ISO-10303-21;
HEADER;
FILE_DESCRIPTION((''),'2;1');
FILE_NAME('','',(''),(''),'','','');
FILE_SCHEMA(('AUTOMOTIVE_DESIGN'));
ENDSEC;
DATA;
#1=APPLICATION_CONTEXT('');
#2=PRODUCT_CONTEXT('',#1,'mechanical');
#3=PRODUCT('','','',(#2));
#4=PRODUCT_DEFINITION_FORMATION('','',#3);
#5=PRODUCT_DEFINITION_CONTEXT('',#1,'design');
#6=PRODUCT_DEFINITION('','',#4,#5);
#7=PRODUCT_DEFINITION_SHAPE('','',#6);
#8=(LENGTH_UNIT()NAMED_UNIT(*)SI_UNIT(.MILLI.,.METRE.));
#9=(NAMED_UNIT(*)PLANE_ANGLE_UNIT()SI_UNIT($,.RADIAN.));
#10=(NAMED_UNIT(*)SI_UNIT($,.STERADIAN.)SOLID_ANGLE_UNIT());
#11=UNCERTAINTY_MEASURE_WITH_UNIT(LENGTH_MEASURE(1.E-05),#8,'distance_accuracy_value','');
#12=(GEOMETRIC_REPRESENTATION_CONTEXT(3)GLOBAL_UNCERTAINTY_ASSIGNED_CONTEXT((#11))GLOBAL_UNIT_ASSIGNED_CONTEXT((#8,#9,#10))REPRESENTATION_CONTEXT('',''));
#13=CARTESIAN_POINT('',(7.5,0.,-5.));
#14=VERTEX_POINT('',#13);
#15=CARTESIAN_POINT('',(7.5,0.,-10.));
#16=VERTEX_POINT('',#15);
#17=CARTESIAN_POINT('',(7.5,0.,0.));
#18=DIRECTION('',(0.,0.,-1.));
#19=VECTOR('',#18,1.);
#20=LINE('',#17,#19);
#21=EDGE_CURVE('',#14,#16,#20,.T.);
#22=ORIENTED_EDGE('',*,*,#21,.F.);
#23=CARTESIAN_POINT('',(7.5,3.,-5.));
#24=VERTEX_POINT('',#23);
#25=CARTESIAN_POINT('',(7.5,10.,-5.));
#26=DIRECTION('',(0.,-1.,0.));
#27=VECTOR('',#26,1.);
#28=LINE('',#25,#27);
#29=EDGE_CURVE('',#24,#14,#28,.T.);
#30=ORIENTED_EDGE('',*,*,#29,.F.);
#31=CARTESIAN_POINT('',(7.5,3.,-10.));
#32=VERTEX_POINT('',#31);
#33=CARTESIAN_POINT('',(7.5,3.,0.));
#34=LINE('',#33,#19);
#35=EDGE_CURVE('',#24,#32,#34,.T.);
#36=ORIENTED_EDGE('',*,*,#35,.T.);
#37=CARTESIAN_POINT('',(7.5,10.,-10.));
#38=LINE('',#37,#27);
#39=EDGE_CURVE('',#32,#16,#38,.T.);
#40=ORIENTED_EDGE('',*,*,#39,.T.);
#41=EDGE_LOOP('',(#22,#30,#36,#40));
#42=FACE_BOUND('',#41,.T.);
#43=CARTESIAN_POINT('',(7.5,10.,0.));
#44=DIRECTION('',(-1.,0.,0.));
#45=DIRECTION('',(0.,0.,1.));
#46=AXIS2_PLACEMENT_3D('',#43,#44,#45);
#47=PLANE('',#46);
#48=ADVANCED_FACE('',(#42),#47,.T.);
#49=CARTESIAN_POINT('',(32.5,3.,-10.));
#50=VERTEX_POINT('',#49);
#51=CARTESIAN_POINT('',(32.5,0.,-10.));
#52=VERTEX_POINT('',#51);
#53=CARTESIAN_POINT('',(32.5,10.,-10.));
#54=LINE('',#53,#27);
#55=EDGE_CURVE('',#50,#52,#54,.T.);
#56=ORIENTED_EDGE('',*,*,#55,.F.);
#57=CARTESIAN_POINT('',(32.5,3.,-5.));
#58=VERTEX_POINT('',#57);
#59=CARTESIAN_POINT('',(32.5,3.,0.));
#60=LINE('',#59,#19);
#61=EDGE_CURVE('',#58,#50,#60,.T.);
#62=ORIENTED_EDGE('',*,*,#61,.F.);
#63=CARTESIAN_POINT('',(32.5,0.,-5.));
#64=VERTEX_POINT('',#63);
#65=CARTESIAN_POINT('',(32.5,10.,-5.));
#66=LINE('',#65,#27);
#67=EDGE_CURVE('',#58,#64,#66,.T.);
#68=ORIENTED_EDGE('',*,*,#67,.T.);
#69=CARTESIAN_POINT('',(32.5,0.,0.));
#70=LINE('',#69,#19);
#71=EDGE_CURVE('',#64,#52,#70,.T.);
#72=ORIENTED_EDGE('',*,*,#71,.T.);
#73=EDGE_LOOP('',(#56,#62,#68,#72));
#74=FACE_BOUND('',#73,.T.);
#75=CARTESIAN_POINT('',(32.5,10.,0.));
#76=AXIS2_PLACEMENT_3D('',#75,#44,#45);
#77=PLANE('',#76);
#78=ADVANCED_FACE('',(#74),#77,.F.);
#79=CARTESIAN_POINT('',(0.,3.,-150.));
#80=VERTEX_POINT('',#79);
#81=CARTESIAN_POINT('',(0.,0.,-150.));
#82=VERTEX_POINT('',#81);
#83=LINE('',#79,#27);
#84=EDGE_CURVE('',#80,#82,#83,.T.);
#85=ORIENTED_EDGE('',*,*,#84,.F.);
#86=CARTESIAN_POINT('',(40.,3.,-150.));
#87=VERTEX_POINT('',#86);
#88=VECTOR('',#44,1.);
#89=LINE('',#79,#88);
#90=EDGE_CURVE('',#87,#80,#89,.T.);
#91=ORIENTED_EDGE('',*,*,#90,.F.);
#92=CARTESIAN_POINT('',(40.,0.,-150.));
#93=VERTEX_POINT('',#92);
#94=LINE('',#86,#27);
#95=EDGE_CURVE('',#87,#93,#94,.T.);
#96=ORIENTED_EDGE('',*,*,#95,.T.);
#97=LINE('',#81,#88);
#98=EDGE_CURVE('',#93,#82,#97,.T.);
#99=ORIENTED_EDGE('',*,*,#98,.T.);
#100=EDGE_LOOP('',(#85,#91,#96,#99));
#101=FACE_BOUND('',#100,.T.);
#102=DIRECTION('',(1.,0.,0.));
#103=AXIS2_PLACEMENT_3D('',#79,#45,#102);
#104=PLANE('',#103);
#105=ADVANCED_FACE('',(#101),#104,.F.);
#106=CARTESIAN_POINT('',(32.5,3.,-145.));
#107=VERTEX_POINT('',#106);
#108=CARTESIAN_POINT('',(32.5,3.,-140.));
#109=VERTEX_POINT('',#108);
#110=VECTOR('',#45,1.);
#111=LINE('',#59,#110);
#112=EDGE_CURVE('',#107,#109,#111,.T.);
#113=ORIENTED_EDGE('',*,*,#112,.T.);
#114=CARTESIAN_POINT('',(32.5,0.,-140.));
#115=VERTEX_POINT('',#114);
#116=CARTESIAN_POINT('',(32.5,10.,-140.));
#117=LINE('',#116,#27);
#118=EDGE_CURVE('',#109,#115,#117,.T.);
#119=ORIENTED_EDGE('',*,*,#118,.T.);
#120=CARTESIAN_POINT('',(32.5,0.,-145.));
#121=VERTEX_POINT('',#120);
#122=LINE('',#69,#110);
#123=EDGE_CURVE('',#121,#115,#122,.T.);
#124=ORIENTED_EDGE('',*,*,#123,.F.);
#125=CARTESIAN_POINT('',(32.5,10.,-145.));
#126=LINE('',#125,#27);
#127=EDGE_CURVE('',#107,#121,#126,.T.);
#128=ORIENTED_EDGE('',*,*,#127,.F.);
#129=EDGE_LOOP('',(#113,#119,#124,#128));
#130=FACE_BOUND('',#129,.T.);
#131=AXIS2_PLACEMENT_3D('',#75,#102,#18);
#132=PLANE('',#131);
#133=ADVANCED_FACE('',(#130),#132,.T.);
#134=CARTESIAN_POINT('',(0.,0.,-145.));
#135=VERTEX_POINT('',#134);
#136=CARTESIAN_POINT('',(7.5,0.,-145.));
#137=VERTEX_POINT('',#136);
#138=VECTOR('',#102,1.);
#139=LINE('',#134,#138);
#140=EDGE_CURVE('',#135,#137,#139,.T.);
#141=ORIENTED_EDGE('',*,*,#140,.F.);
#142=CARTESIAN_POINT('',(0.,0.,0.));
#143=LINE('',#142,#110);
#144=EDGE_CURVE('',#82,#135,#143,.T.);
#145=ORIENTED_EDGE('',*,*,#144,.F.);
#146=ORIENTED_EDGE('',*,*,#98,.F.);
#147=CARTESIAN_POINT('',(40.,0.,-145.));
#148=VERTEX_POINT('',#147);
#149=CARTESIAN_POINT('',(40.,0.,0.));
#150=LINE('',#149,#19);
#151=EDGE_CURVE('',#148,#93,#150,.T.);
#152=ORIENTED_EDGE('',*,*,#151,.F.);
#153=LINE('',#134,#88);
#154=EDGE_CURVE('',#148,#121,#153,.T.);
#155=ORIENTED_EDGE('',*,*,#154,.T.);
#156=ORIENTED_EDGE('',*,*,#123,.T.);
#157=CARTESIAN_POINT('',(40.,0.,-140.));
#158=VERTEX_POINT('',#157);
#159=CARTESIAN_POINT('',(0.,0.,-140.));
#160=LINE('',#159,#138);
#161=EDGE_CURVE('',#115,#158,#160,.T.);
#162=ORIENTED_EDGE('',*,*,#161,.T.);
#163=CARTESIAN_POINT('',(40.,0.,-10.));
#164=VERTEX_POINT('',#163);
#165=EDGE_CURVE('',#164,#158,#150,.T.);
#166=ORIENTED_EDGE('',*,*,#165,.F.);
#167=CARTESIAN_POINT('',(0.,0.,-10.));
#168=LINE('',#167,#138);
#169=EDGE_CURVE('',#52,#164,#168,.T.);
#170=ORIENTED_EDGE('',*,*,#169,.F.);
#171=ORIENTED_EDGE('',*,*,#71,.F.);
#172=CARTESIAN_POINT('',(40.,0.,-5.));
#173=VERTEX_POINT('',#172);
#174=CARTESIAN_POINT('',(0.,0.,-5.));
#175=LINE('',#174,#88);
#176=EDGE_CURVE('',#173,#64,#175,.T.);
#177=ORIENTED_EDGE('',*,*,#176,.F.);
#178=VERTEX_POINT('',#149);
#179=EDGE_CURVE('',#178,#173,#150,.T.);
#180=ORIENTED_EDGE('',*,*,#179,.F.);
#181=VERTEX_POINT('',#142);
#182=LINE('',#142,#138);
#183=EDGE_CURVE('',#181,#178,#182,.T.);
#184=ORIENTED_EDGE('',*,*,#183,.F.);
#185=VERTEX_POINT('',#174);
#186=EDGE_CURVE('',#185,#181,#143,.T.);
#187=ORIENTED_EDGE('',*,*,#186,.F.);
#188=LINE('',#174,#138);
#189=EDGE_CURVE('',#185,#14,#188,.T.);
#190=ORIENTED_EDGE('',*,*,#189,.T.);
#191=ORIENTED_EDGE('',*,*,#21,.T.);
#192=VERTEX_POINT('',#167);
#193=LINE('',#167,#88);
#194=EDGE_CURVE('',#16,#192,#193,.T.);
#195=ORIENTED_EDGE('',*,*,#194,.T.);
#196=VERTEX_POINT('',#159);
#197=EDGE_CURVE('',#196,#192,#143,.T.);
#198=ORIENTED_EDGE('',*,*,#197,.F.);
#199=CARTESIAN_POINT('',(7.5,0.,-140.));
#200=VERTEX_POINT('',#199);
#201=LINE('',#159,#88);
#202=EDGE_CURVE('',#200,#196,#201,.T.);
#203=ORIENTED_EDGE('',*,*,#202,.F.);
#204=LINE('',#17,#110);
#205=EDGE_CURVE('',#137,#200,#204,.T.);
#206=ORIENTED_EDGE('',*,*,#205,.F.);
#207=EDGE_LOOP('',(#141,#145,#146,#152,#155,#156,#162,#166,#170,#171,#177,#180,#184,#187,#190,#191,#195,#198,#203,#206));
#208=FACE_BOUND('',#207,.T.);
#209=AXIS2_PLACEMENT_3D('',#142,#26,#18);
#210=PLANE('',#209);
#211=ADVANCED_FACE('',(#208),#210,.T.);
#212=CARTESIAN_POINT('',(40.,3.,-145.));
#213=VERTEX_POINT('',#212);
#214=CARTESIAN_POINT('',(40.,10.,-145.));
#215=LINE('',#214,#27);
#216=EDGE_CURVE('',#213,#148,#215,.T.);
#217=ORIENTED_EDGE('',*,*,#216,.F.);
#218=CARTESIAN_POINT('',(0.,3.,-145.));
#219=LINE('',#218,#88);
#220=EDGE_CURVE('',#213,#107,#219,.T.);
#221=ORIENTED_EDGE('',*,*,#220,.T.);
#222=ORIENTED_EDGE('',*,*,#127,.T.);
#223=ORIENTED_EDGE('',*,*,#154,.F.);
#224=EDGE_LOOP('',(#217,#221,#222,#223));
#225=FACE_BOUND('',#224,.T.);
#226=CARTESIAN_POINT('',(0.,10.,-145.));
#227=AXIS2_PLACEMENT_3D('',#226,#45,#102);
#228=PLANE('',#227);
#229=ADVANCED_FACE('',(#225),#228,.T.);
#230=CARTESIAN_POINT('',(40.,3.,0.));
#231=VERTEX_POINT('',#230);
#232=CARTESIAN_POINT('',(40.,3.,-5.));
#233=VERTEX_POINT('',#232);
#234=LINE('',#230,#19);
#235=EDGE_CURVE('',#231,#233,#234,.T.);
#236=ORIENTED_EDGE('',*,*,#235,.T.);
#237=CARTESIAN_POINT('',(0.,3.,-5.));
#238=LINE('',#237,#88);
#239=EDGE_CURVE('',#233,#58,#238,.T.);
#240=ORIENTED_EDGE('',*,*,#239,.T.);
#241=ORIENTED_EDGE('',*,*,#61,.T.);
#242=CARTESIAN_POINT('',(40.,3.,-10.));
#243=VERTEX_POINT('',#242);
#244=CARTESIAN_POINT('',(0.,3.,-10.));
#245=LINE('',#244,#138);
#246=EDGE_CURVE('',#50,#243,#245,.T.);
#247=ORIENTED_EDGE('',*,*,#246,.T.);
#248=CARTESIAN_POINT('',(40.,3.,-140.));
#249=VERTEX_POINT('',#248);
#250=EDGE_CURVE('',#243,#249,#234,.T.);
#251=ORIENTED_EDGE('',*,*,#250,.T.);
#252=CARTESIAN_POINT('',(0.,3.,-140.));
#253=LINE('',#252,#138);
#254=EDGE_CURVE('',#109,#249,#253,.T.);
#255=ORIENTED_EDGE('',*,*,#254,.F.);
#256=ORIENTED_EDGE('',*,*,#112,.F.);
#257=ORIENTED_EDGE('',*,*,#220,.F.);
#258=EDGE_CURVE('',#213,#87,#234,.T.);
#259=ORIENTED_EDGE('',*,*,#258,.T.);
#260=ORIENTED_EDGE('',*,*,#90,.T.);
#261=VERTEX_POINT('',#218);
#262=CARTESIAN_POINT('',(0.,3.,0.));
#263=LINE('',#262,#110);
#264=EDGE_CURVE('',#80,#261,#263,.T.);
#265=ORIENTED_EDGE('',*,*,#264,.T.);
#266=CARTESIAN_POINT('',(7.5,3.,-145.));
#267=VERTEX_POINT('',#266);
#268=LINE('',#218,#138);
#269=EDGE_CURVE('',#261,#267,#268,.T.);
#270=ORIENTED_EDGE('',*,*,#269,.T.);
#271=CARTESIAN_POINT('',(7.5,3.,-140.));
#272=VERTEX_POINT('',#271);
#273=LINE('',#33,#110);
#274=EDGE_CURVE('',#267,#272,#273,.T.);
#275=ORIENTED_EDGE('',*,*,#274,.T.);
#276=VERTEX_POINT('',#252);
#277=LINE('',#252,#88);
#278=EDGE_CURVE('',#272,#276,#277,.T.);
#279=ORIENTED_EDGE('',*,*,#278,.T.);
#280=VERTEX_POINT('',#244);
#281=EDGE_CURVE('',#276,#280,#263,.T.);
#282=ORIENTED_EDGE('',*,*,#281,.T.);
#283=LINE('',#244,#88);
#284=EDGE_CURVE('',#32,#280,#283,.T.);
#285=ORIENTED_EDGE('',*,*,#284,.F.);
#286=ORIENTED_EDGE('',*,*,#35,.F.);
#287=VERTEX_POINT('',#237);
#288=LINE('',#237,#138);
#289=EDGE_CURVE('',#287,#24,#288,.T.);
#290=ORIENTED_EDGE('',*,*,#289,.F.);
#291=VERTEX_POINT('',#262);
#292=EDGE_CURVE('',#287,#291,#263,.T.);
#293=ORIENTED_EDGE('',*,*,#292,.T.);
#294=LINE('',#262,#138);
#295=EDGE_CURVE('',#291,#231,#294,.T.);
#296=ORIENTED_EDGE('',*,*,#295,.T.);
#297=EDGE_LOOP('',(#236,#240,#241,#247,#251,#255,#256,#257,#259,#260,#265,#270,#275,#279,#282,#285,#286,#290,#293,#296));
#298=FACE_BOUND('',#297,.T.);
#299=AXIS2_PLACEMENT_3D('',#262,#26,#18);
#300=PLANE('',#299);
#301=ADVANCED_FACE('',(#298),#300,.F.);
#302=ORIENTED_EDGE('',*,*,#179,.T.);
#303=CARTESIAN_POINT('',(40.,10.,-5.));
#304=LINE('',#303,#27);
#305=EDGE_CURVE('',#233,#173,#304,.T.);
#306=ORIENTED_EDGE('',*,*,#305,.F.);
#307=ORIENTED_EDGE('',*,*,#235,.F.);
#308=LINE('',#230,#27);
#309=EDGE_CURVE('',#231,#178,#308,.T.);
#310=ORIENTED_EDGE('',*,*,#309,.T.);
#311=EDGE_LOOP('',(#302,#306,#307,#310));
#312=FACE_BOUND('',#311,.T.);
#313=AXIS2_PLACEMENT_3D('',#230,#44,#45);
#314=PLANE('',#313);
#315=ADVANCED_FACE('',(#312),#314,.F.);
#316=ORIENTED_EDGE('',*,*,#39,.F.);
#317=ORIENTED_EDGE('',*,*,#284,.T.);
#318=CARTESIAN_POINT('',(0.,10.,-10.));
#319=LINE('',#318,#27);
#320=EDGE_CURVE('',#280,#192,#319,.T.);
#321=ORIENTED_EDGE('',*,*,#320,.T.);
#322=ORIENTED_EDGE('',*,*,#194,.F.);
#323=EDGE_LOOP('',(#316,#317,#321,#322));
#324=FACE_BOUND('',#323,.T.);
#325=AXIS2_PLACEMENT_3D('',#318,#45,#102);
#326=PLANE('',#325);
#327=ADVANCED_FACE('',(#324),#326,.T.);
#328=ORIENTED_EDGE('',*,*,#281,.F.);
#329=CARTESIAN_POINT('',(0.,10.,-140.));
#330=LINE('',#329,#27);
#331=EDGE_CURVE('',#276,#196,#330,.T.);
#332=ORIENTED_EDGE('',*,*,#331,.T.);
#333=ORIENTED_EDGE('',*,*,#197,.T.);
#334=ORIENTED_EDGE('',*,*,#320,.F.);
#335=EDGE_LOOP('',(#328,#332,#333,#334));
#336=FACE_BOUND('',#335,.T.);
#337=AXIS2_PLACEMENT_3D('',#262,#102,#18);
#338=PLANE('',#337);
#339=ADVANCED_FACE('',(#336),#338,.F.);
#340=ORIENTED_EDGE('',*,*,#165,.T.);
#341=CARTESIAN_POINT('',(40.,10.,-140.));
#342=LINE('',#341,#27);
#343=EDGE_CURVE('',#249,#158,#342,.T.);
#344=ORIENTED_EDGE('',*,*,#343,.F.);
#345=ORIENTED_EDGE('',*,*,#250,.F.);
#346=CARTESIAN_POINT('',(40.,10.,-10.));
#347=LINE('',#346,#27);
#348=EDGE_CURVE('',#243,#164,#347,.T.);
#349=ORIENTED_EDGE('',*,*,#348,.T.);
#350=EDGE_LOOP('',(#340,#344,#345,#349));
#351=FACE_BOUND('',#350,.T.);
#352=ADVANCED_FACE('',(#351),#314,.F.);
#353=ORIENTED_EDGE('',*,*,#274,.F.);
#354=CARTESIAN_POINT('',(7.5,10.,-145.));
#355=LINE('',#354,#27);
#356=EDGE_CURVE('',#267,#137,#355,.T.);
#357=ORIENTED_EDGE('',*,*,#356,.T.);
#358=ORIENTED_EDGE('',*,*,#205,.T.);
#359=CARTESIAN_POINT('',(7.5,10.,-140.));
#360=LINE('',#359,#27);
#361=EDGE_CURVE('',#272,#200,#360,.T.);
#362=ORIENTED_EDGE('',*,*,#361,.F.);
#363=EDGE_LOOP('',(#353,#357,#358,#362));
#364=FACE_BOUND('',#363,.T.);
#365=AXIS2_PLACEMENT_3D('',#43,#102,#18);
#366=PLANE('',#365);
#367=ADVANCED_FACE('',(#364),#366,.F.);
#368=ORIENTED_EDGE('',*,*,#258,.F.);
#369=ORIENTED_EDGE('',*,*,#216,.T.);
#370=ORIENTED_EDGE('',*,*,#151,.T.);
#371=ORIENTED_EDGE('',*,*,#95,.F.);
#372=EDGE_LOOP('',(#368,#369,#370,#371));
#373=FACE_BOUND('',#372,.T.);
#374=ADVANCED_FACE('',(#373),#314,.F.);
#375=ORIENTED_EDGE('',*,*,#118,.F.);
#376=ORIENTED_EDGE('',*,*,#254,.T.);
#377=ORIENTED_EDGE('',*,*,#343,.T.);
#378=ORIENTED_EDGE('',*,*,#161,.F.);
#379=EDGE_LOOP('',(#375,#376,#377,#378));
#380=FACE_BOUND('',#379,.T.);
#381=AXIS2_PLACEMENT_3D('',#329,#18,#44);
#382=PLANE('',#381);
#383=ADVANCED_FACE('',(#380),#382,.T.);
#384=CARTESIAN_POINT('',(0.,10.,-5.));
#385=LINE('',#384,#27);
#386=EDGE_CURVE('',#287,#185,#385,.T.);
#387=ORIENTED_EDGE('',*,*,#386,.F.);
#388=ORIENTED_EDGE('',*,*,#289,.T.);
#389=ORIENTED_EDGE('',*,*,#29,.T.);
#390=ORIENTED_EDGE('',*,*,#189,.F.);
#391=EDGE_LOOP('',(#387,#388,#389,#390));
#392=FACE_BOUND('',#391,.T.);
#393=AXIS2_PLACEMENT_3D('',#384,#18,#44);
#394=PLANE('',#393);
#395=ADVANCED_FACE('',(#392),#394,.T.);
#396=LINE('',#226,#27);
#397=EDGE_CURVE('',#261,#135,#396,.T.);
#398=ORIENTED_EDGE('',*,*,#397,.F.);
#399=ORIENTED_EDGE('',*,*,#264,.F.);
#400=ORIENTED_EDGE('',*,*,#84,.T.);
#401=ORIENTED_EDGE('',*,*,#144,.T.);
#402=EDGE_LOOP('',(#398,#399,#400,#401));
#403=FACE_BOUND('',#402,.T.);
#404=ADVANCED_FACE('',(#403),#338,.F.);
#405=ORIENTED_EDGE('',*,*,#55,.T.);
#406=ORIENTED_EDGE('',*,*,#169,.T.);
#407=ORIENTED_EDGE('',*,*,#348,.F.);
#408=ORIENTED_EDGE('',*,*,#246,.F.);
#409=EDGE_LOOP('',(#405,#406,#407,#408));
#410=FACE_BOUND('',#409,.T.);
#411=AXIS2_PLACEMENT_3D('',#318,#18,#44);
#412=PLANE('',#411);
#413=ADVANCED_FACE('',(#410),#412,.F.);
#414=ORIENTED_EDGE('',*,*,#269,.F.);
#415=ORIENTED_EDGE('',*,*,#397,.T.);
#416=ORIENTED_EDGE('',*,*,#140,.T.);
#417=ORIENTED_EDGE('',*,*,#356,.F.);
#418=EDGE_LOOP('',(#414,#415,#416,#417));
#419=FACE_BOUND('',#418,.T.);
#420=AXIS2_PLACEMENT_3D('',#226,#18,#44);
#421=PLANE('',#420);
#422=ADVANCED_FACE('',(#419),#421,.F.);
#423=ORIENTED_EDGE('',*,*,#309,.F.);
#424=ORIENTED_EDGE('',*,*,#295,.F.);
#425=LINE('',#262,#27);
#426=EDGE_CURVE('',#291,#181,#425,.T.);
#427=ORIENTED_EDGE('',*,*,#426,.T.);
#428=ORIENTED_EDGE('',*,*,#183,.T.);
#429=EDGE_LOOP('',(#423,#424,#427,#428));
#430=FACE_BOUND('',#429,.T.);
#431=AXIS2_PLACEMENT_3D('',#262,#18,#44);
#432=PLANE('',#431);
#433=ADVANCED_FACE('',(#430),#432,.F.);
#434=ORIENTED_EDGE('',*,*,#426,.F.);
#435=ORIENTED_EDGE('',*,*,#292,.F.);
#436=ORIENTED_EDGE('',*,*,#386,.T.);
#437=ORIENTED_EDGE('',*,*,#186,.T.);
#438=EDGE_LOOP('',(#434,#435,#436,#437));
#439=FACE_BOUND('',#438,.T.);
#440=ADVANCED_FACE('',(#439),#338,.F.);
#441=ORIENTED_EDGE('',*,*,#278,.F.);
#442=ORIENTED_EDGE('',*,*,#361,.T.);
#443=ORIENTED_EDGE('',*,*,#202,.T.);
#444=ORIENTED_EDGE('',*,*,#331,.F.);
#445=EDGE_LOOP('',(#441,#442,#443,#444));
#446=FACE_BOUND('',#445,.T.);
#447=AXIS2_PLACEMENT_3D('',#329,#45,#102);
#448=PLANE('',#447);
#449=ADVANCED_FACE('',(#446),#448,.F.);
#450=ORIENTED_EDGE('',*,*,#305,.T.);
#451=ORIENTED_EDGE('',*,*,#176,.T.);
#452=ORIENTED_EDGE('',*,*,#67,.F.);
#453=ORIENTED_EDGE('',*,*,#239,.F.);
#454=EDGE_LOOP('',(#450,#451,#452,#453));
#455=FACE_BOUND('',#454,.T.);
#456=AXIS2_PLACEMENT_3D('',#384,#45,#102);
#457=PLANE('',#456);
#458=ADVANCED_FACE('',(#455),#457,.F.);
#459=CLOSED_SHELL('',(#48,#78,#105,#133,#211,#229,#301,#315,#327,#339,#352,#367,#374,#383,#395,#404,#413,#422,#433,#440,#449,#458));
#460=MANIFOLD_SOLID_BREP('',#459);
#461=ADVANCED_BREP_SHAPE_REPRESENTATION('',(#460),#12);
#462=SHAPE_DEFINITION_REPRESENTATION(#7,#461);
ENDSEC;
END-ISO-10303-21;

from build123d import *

# Parameters (mm, degrees)
SKETCH1_W           = 40
SKETCH1_H           = 150
BOSS_EXTRUDE1_DEPTH = 3
SKETCH2_W           = 7.5
SKETCH2_H           = 5
CUT_EXTRUDE1_DEPTH  = 10


with BuildPart() as part:
    # Sketch1 → Boss-Extrude1 (new body)
    with BuildSketch(Plane(origin=(0, 0, 0), x_dir=(1, 0, 0), z_dir=(0, 1, 0))):
        with Locations((20, 75)):
            Rectangle(SKETCH1_W, SKETCH1_H)
    extrude(amount=BOSS_EXTRUDE1_DEPTH)

    # Sketch2 → Cut-Extrude1 (cut)
    with BuildSketch(Plane(origin=(0, 0, 0), x_dir=(1, 0, 0), z_dir=(0, 1, 0))):
        with Locations((3.75, 142.5)):
            Rectangle(SKETCH2_W, SKETCH2_H)
        with Locations((36.25, 7.5)):
            Rectangle(SKETCH2_W, SKETCH2_H)
        with Locations((3.75, 7.5)):
            Rectangle(SKETCH2_W, SKETCH2_H)
        with Locations((36.25, 142.5)):
            Rectangle(SKETCH2_W, SKETCH2_H)
    extrude(amount=CUT_EXTRUDE1_DEPTH, mode=Mode.SUBTRACT)


solid = part.part
